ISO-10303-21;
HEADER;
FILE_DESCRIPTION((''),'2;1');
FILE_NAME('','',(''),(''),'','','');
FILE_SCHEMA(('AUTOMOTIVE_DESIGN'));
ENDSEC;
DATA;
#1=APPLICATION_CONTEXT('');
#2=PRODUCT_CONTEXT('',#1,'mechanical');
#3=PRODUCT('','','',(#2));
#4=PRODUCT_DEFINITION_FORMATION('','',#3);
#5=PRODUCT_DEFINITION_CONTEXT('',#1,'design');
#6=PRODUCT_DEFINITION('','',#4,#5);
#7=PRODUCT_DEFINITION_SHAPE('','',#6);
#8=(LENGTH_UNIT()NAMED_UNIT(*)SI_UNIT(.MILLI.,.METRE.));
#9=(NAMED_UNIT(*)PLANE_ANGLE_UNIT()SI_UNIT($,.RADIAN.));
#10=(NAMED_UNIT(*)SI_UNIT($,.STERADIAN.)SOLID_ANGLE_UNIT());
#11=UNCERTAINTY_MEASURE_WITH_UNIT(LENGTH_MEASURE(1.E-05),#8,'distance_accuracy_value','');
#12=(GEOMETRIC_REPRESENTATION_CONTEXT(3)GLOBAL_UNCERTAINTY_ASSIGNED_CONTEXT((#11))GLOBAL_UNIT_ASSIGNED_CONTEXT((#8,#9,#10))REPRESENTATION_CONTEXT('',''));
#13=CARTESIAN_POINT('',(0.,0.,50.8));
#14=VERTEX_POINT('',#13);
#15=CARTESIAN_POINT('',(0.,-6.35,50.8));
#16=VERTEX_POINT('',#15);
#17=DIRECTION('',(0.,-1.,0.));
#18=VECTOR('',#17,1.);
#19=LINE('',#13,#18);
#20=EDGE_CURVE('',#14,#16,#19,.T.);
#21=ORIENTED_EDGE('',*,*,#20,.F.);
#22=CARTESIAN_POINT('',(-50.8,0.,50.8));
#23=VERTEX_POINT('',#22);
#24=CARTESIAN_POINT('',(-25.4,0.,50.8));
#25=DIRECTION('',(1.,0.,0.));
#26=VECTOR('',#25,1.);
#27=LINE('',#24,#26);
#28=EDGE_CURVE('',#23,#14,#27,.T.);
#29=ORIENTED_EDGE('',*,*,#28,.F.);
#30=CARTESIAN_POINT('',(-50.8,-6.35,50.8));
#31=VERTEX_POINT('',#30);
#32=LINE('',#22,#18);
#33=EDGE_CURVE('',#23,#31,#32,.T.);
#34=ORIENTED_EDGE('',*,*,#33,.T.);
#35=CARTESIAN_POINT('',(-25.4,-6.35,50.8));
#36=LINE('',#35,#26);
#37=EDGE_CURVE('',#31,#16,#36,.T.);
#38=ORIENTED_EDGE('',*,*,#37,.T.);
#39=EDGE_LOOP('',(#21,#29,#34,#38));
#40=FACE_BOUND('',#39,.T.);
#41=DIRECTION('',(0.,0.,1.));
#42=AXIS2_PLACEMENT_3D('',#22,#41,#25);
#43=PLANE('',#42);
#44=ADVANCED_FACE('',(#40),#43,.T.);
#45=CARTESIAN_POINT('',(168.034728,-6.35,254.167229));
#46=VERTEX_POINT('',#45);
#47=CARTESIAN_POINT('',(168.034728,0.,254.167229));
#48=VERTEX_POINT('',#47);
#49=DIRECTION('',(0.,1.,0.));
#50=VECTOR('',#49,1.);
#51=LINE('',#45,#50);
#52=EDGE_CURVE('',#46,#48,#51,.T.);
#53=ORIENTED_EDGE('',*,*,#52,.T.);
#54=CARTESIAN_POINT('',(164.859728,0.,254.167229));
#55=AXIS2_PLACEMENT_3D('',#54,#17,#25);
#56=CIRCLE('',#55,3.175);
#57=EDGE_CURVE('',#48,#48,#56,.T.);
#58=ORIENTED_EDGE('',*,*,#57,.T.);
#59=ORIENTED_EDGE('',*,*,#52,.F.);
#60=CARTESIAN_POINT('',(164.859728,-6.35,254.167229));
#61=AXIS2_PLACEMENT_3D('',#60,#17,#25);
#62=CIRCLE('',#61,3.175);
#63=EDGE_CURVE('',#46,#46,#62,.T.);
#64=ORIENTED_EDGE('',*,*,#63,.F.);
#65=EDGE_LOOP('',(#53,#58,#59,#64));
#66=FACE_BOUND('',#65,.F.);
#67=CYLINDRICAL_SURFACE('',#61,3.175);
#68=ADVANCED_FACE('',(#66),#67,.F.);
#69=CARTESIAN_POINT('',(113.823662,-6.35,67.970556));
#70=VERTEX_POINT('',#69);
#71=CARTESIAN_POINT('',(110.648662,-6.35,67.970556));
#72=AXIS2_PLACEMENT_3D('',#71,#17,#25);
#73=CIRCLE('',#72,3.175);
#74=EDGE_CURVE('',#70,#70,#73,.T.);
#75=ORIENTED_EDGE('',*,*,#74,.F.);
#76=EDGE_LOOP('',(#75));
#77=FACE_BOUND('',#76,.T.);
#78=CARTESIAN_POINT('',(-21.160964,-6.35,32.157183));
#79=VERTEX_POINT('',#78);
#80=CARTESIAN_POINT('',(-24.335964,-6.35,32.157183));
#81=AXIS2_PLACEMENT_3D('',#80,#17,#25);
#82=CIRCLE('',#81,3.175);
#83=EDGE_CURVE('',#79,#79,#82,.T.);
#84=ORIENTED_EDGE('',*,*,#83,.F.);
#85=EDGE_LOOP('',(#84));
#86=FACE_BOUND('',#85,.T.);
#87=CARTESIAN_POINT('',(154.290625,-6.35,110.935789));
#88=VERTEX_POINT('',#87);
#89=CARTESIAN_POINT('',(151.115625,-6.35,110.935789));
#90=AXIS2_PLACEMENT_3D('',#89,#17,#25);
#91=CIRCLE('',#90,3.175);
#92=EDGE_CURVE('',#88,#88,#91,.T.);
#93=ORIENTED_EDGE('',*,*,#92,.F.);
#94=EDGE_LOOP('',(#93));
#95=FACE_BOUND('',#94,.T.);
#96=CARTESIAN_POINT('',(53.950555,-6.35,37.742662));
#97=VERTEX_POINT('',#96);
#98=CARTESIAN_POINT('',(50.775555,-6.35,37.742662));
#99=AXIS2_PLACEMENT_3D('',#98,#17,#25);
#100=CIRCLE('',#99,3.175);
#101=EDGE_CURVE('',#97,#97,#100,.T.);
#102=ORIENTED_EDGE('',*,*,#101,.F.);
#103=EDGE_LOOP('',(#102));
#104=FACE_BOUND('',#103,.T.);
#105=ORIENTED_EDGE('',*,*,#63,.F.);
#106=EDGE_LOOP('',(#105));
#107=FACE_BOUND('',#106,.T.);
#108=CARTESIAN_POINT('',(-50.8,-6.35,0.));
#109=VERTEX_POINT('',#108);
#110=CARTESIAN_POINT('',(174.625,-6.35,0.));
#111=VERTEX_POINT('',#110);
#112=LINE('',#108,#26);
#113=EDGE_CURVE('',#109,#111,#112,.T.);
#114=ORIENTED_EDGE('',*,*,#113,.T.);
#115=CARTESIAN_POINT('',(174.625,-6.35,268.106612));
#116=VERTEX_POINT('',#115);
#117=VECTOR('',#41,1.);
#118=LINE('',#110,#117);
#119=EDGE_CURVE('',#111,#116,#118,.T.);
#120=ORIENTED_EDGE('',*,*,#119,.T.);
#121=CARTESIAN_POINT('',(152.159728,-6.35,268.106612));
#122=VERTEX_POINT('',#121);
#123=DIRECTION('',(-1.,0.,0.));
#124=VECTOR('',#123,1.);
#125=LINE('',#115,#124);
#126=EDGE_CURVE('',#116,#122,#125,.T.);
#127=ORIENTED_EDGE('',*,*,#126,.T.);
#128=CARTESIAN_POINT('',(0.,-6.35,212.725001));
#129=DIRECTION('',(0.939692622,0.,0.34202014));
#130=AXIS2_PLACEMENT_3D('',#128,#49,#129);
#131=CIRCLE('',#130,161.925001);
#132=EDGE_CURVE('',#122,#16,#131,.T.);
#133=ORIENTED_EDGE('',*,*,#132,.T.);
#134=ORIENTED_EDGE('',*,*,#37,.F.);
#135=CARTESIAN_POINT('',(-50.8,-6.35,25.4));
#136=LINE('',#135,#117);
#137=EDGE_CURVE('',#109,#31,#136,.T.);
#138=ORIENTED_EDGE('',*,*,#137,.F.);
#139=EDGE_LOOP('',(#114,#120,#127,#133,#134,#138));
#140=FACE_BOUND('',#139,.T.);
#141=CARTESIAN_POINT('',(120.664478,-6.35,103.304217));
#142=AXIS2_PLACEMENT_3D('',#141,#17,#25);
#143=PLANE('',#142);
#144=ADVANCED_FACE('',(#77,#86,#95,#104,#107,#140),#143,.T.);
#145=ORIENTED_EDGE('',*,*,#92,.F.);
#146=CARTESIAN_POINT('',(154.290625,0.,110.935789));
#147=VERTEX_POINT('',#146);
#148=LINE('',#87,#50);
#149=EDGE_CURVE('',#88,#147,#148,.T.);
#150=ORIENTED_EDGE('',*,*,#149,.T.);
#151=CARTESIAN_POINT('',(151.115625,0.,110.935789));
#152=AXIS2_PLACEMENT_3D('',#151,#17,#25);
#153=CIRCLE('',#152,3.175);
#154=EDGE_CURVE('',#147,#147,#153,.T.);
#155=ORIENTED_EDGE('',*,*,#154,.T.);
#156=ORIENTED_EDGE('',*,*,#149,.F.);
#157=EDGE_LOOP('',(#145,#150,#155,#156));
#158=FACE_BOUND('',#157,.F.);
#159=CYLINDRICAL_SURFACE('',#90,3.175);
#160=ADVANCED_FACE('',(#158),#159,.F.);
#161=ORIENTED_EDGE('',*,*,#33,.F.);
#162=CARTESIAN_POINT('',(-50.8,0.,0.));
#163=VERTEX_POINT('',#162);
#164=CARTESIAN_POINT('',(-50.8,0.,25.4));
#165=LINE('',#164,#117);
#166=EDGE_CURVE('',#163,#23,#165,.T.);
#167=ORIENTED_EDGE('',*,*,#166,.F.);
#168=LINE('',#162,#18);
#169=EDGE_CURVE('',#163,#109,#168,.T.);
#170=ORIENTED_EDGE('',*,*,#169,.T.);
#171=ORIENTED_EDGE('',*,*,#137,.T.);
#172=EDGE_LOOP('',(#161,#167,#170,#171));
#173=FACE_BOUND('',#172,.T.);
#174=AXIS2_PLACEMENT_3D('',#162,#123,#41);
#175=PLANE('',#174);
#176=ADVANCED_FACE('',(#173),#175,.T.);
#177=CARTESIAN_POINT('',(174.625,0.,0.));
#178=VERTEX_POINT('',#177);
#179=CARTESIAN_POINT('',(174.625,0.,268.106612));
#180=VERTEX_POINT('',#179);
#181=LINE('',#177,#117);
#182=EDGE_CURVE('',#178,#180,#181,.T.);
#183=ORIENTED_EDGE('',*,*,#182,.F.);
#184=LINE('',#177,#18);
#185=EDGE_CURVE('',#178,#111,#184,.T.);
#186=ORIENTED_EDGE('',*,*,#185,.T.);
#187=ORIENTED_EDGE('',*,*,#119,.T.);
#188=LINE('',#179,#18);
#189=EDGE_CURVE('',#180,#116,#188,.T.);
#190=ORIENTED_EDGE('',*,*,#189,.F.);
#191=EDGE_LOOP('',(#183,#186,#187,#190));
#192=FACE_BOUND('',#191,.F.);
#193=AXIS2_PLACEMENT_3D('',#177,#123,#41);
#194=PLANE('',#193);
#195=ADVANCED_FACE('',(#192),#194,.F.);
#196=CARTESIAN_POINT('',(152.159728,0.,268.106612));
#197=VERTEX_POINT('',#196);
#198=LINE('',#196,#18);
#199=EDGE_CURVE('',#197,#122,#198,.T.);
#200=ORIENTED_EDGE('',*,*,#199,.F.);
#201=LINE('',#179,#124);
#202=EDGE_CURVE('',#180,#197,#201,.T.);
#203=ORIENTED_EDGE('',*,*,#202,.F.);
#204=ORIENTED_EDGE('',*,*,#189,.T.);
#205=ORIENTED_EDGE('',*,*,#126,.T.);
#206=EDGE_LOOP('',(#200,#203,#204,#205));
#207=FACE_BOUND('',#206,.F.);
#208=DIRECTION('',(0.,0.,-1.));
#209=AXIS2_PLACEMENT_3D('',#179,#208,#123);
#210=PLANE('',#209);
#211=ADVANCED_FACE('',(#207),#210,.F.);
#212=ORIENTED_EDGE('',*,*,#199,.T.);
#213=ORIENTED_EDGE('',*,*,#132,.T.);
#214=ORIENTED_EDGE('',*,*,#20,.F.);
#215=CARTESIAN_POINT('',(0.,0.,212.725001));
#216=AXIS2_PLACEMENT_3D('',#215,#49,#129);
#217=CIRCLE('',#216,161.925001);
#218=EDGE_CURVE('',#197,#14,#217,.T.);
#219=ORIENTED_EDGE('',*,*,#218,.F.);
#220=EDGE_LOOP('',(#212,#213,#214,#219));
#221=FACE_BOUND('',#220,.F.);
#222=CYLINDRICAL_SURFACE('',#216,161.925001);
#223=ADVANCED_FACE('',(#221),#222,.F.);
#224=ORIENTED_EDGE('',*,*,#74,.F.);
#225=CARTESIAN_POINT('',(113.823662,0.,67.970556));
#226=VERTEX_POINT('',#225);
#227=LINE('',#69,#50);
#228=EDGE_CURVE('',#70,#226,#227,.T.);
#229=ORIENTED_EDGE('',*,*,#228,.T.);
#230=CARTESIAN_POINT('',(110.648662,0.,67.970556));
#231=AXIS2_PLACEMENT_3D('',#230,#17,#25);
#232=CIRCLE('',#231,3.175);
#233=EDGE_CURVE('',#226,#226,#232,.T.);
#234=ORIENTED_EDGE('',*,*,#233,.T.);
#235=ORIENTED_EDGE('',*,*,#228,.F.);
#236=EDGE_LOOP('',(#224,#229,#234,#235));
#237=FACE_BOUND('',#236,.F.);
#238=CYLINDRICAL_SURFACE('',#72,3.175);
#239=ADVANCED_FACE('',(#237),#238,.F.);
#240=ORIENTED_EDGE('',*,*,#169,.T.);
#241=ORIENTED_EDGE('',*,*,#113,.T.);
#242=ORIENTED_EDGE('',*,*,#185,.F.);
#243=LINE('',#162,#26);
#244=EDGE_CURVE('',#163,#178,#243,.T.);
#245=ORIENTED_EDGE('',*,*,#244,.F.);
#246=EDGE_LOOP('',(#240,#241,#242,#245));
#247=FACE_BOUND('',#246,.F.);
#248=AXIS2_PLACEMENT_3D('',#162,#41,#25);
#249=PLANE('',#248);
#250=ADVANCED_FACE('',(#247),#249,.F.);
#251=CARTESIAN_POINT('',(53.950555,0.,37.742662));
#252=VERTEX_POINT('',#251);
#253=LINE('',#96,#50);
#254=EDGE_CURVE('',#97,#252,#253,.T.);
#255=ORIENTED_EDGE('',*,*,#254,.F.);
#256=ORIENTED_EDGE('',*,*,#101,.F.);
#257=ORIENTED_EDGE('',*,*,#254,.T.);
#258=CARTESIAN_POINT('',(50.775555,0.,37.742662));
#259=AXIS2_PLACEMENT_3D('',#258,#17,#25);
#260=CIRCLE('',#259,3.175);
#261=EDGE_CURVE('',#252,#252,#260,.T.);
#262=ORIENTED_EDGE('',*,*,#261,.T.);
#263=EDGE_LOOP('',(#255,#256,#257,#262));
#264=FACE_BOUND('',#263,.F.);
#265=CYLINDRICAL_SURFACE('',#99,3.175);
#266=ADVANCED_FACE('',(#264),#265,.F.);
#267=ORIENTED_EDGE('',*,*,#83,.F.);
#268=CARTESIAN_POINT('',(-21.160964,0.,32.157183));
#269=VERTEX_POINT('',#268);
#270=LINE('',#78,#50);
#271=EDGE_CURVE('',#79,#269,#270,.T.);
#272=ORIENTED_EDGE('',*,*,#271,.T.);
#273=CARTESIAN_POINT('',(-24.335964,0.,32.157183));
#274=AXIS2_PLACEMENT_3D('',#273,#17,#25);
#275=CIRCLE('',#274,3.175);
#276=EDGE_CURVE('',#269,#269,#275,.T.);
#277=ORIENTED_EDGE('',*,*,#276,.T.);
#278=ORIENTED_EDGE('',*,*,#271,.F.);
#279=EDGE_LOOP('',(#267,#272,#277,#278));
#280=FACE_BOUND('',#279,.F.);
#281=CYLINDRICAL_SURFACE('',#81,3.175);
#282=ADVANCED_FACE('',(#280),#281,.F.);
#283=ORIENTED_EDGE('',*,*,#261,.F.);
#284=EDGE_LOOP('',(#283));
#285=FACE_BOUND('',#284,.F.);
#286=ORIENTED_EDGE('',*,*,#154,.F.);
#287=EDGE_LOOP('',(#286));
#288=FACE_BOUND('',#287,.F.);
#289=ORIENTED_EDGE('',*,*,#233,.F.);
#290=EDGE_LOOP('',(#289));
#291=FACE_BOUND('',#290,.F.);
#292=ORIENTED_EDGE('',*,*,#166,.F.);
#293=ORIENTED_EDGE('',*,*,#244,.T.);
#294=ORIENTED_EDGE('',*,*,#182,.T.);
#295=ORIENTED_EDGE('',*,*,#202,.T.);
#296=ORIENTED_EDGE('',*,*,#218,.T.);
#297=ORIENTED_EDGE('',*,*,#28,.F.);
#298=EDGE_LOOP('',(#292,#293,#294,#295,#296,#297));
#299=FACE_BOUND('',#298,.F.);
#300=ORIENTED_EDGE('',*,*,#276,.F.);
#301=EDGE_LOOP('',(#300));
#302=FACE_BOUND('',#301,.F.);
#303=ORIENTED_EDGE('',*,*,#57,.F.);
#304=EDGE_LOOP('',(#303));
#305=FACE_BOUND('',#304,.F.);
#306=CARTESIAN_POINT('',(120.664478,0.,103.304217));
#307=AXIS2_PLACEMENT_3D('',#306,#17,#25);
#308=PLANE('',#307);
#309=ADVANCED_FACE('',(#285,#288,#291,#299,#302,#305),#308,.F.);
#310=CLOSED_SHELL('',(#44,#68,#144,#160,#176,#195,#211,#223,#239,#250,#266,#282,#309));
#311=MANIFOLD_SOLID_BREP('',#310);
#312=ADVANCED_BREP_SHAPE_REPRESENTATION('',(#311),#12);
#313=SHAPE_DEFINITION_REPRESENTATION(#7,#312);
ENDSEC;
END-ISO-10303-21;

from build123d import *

# Parameters (mm, degrees)
F0_W     = 50.8
F0_H     = 50.8
F1_DEPTH = 6.35
F2_R     = 3.175
F3_DEPTH = 25.4


with BuildPart() as f1:
    # F0 (on Front) → F1 (new body)
    with BuildSketch(Plane.XZ):
        with BuildLine():
            Line((0, 50.8), (0, 0))
            Line((0, 0), (174.625, 0))
            Line((174.625, 0), (174.625, 268.106612))
            Line((174.625, 268.106612), (152.159728, 268.106612))
            ThreePointArc((152.159728, 268.106612), (132.641195, 119.848636), (0, 50.8))
        make_face()
        with Locations((-25.4, 25.4)):
            Rectangle(F0_W, F0_H)
    extrude(amount=F1_DEPTH)

    # F2 (on face) → F3 (cut)
    with BuildSketch(Plane.XZ.offset(6.35)):
        with Locations((-24.335964, 32.157183)):
            Circle(F2_R)
        with Locations((50.775555, 37.742662)):
            Circle(F2_R)
        with Locations((110.648662, 67.970556)):
            Circle(F2_R)
        with Locations((151.115625, 110.935789)):
            Circle(F2_R)
        with Locations((164.859728, 254.167229)):
            Circle(F2_R)
    extrude(amount=-F3_DEPTH, mode=Mode.SUBTRACT)


solid = f1.part
